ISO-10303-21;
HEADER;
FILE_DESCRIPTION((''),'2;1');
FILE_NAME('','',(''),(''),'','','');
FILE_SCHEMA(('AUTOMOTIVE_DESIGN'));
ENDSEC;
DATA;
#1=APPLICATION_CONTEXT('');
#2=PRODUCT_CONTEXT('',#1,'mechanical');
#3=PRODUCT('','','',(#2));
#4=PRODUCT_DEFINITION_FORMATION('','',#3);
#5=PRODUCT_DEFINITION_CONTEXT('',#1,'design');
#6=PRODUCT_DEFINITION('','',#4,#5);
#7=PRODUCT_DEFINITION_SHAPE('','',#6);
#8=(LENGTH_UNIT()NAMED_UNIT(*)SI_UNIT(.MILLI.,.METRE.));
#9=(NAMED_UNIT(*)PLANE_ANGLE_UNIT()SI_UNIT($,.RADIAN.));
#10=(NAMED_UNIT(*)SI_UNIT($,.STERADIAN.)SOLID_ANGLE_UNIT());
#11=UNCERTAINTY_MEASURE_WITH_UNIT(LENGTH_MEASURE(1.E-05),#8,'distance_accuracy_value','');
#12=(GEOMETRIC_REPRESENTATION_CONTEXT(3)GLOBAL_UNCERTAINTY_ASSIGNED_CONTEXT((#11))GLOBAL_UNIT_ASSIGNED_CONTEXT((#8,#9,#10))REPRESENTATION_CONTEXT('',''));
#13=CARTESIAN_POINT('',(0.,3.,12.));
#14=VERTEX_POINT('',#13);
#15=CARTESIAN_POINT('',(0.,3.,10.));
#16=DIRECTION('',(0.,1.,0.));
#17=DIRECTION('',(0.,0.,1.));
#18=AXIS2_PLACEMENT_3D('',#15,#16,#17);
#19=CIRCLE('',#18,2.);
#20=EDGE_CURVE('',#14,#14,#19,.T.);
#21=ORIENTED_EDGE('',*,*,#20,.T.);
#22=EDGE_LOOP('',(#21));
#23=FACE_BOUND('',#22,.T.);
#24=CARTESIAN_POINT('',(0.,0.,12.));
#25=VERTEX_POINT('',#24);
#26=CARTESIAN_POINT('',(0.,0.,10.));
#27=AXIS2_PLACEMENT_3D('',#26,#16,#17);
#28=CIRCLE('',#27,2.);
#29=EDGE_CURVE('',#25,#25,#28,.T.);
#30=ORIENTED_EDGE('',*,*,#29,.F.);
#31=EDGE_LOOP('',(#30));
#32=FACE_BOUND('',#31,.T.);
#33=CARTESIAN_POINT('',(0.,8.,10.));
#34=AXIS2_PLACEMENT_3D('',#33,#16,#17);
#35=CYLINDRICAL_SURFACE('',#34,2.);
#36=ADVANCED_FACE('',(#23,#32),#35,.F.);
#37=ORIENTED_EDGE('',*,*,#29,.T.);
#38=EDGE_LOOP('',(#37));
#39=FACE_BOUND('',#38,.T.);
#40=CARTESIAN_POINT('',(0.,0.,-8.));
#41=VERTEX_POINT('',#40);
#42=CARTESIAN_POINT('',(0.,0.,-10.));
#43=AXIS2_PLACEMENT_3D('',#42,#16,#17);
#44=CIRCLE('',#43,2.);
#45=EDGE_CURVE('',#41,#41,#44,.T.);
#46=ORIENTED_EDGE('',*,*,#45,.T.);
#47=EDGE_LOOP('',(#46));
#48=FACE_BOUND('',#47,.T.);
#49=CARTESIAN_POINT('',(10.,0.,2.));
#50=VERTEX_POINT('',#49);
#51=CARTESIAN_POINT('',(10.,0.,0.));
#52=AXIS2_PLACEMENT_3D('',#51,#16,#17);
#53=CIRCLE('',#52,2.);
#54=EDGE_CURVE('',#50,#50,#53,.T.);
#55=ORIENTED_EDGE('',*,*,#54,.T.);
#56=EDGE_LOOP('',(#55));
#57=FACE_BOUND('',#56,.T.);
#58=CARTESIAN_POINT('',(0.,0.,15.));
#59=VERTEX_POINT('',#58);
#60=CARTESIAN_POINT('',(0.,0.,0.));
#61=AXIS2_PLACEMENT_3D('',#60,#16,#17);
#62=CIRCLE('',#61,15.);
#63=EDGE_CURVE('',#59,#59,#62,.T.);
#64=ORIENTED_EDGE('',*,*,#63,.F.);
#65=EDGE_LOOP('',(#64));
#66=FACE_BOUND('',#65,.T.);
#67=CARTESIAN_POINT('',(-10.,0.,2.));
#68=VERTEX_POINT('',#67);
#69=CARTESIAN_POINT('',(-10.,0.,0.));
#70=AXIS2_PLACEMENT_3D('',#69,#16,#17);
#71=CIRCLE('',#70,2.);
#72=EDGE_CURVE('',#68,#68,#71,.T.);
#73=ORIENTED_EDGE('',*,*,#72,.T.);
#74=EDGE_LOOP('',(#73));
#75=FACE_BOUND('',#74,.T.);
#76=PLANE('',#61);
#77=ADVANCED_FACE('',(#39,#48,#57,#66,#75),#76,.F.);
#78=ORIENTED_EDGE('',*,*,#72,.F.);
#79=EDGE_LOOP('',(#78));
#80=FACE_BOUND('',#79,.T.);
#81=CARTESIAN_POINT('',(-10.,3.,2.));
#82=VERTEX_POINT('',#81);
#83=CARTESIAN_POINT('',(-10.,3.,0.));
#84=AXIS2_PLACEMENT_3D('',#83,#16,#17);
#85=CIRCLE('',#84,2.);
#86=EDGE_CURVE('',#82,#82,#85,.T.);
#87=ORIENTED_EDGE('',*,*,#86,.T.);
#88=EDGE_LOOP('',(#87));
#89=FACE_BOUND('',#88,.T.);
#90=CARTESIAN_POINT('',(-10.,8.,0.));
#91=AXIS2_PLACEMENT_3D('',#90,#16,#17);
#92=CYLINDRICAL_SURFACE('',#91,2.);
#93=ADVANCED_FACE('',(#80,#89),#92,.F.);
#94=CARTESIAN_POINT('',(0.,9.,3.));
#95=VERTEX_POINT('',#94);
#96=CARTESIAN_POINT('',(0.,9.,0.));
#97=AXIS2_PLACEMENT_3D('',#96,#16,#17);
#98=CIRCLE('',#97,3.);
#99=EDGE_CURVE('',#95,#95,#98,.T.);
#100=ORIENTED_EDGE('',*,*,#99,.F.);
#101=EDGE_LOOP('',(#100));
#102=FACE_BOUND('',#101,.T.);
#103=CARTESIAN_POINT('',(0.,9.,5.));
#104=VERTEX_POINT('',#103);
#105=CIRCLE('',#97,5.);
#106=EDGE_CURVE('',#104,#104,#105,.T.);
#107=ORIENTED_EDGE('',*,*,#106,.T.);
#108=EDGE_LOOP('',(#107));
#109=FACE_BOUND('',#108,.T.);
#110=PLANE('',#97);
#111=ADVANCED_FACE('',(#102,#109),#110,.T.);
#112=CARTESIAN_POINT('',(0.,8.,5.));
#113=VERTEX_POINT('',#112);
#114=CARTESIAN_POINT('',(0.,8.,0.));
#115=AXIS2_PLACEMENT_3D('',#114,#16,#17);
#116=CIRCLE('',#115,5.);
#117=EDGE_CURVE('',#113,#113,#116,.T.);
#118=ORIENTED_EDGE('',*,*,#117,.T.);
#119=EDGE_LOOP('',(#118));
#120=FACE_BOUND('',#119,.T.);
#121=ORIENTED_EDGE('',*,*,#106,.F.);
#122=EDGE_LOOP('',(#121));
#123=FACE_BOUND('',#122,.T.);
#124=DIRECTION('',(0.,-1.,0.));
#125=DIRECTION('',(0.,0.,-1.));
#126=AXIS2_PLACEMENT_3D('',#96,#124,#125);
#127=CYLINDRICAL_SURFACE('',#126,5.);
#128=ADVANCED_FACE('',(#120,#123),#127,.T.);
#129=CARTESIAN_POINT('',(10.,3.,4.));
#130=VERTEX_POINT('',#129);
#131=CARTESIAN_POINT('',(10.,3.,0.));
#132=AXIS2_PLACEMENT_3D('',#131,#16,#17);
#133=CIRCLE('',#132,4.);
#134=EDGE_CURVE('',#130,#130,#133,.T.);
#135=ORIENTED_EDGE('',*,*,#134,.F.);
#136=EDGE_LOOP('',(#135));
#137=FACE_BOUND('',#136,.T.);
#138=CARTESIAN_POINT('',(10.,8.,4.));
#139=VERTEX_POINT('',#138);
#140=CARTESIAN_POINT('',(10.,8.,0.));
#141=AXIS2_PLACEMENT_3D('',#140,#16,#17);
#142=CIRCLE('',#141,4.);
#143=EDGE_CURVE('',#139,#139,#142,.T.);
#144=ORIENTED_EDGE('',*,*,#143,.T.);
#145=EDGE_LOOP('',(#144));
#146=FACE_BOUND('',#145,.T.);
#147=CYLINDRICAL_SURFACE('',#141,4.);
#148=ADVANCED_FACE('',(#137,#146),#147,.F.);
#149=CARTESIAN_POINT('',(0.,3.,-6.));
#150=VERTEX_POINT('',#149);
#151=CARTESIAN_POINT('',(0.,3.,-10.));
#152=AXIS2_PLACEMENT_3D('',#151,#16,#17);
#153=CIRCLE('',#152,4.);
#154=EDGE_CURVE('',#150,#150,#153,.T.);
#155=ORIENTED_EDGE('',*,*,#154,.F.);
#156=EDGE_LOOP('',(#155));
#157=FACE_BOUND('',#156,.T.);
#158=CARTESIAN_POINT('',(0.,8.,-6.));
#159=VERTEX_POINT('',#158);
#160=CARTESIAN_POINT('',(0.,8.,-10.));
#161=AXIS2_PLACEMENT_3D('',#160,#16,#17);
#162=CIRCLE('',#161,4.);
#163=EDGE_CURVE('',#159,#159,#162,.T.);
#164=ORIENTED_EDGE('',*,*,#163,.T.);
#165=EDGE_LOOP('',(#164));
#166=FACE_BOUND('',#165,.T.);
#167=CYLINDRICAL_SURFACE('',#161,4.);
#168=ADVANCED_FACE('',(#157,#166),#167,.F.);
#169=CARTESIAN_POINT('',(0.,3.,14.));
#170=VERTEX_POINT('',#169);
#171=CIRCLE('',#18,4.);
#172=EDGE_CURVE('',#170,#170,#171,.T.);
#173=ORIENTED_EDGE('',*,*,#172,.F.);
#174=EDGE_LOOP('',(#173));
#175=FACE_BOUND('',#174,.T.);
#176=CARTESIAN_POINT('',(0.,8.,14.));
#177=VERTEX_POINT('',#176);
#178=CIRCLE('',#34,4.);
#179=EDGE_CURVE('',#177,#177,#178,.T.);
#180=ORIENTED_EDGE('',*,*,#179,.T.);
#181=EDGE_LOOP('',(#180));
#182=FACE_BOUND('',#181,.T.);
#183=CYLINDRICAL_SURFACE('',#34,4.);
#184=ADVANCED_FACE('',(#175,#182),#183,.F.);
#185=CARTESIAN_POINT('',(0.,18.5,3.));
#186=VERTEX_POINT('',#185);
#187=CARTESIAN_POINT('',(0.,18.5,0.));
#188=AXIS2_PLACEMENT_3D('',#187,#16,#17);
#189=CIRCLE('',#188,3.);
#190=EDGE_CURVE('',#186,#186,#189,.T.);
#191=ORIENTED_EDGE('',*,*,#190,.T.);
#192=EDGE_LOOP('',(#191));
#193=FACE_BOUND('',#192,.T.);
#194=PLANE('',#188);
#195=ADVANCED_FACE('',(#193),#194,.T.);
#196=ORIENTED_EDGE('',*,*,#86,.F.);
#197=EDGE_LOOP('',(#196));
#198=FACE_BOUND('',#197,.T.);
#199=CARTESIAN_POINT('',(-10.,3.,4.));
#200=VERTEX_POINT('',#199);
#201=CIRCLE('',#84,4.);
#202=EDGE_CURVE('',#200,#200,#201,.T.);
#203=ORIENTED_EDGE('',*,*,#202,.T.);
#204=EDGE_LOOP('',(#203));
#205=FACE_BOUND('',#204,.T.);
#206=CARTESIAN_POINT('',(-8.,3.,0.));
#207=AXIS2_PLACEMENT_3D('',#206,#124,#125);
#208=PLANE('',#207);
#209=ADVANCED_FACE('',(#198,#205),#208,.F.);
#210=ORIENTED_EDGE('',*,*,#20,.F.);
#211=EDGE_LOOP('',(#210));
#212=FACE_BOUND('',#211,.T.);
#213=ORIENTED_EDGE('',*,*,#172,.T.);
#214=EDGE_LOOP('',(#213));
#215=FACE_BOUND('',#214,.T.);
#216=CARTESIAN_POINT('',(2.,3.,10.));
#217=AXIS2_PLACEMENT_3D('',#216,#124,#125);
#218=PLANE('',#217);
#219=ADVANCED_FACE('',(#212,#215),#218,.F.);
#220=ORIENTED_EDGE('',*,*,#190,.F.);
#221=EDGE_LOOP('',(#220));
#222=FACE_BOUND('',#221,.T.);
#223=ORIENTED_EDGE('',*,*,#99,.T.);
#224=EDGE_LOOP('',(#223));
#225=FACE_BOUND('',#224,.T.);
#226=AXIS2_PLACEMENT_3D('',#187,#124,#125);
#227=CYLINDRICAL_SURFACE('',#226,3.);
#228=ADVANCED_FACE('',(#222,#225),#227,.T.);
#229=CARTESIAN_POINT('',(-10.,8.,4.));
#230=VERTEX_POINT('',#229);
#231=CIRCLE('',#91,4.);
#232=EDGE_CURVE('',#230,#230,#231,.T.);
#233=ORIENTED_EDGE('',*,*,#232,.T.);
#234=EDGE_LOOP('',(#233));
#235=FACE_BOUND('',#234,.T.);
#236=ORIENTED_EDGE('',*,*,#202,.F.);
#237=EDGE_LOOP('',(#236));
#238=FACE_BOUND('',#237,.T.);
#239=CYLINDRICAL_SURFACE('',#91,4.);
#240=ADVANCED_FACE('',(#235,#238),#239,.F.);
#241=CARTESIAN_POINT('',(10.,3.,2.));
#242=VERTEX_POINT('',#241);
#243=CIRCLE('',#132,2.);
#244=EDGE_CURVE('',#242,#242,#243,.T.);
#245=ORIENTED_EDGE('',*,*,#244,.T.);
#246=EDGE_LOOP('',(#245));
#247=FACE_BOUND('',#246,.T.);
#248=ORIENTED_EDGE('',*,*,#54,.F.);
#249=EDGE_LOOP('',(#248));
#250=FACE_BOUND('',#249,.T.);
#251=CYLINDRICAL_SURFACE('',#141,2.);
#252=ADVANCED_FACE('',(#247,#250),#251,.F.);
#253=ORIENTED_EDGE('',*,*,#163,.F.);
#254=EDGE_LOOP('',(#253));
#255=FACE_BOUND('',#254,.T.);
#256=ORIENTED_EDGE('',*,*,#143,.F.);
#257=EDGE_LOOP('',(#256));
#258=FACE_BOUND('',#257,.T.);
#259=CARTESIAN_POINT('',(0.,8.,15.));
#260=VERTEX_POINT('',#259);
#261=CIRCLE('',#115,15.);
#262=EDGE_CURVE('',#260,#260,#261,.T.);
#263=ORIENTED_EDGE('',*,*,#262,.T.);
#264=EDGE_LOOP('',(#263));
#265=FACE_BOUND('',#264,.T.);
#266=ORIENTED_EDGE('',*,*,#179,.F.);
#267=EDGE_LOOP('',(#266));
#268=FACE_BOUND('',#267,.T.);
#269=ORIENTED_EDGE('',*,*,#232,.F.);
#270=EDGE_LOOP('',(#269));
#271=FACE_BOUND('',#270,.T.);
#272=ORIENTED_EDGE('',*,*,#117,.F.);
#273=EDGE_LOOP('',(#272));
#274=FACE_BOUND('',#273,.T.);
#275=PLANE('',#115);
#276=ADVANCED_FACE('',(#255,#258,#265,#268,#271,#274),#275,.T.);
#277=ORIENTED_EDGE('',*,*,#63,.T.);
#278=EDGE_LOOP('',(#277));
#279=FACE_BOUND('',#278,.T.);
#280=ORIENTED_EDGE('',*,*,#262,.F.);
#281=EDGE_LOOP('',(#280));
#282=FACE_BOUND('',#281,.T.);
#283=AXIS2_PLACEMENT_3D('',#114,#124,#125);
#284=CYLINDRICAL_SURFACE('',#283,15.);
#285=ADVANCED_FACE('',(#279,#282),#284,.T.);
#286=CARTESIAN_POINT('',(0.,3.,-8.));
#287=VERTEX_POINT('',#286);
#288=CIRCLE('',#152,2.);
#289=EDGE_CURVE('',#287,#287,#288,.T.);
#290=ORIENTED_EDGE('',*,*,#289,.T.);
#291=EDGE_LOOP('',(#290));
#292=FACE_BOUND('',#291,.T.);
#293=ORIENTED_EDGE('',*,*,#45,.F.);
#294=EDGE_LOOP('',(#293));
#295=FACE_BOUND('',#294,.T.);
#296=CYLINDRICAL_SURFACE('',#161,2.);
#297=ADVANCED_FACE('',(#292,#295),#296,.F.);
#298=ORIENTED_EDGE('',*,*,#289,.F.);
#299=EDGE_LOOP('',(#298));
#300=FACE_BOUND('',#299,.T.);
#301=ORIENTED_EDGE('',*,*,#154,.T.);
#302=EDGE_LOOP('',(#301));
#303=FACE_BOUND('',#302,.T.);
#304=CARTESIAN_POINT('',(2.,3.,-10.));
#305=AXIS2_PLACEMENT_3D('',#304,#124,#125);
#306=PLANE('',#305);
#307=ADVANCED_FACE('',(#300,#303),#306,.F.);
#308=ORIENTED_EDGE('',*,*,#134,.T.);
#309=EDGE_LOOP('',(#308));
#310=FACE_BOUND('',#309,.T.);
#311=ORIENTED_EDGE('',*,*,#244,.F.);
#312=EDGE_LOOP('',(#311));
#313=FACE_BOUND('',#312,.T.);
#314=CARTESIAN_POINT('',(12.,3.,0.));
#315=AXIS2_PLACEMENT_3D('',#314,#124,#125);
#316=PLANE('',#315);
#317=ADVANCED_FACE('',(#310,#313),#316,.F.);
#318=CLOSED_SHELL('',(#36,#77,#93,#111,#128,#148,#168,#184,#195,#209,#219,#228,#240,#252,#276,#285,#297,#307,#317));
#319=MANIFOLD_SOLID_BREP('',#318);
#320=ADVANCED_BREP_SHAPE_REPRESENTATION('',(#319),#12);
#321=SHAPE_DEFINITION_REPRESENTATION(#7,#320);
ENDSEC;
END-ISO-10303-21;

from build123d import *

# Parameters (mm, degrees)
SKETCH1_R           = 15
BOSS_EXTRUDE1_DEPTH = 8
SKETCH2_R           = 5
BOSS_EXTRUDE2_DEPTH = 1
SKETCH3_R           = 3
BOSS_EXTRUDE3_DEPTH = 9.5
HOLE1_D             = 4
HOLE1_CBORE_D       = 8
HOLE1_CBORE_DEPTH   = 5


with BuildPart() as part:
    # Sketch1 → Boss-Extrude1 (new body)
    with BuildSketch(Plane(origin=(0, 0, 0), x_dir=(1, 0, 0), z_dir=(0, 1, 0))):
        Circle(SKETCH1_R)
    extrude(amount=BOSS_EXTRUDE1_DEPTH)

    # Sketch2 → Boss-Extrude2 (add)
    with BuildSketch(Plane(origin=(0, 8, 0), x_dir=(1, 0, 0), z_dir=(0, 1, 0))):
        Circle(SKETCH2_R)
    extrude(amount=BOSS_EXTRUDE2_DEPTH)

    # Sketch3 → Boss-Extrude3 (add)
    with BuildSketch(Plane(origin=(0, 9, 0), x_dir=(1, 0, 0), z_dir=(0, 1, 0))):
        Circle(SKETCH3_R)
    extrude(amount=BOSS_EXTRUDE3_DEPTH)

    # Hole1 (through all)
    with Locations(Plane(origin=(0, 8, 0), x_dir=(1, 0, 0), z_dir=(0, 1, 0))):
        with Locations((-10, 0), (0, 10), (10, 0), (0, -10)):
            CounterBoreHole(HOLE1_D / 2, HOLE1_CBORE_D / 2, HOLE1_CBORE_DEPTH)


solid = part.part
